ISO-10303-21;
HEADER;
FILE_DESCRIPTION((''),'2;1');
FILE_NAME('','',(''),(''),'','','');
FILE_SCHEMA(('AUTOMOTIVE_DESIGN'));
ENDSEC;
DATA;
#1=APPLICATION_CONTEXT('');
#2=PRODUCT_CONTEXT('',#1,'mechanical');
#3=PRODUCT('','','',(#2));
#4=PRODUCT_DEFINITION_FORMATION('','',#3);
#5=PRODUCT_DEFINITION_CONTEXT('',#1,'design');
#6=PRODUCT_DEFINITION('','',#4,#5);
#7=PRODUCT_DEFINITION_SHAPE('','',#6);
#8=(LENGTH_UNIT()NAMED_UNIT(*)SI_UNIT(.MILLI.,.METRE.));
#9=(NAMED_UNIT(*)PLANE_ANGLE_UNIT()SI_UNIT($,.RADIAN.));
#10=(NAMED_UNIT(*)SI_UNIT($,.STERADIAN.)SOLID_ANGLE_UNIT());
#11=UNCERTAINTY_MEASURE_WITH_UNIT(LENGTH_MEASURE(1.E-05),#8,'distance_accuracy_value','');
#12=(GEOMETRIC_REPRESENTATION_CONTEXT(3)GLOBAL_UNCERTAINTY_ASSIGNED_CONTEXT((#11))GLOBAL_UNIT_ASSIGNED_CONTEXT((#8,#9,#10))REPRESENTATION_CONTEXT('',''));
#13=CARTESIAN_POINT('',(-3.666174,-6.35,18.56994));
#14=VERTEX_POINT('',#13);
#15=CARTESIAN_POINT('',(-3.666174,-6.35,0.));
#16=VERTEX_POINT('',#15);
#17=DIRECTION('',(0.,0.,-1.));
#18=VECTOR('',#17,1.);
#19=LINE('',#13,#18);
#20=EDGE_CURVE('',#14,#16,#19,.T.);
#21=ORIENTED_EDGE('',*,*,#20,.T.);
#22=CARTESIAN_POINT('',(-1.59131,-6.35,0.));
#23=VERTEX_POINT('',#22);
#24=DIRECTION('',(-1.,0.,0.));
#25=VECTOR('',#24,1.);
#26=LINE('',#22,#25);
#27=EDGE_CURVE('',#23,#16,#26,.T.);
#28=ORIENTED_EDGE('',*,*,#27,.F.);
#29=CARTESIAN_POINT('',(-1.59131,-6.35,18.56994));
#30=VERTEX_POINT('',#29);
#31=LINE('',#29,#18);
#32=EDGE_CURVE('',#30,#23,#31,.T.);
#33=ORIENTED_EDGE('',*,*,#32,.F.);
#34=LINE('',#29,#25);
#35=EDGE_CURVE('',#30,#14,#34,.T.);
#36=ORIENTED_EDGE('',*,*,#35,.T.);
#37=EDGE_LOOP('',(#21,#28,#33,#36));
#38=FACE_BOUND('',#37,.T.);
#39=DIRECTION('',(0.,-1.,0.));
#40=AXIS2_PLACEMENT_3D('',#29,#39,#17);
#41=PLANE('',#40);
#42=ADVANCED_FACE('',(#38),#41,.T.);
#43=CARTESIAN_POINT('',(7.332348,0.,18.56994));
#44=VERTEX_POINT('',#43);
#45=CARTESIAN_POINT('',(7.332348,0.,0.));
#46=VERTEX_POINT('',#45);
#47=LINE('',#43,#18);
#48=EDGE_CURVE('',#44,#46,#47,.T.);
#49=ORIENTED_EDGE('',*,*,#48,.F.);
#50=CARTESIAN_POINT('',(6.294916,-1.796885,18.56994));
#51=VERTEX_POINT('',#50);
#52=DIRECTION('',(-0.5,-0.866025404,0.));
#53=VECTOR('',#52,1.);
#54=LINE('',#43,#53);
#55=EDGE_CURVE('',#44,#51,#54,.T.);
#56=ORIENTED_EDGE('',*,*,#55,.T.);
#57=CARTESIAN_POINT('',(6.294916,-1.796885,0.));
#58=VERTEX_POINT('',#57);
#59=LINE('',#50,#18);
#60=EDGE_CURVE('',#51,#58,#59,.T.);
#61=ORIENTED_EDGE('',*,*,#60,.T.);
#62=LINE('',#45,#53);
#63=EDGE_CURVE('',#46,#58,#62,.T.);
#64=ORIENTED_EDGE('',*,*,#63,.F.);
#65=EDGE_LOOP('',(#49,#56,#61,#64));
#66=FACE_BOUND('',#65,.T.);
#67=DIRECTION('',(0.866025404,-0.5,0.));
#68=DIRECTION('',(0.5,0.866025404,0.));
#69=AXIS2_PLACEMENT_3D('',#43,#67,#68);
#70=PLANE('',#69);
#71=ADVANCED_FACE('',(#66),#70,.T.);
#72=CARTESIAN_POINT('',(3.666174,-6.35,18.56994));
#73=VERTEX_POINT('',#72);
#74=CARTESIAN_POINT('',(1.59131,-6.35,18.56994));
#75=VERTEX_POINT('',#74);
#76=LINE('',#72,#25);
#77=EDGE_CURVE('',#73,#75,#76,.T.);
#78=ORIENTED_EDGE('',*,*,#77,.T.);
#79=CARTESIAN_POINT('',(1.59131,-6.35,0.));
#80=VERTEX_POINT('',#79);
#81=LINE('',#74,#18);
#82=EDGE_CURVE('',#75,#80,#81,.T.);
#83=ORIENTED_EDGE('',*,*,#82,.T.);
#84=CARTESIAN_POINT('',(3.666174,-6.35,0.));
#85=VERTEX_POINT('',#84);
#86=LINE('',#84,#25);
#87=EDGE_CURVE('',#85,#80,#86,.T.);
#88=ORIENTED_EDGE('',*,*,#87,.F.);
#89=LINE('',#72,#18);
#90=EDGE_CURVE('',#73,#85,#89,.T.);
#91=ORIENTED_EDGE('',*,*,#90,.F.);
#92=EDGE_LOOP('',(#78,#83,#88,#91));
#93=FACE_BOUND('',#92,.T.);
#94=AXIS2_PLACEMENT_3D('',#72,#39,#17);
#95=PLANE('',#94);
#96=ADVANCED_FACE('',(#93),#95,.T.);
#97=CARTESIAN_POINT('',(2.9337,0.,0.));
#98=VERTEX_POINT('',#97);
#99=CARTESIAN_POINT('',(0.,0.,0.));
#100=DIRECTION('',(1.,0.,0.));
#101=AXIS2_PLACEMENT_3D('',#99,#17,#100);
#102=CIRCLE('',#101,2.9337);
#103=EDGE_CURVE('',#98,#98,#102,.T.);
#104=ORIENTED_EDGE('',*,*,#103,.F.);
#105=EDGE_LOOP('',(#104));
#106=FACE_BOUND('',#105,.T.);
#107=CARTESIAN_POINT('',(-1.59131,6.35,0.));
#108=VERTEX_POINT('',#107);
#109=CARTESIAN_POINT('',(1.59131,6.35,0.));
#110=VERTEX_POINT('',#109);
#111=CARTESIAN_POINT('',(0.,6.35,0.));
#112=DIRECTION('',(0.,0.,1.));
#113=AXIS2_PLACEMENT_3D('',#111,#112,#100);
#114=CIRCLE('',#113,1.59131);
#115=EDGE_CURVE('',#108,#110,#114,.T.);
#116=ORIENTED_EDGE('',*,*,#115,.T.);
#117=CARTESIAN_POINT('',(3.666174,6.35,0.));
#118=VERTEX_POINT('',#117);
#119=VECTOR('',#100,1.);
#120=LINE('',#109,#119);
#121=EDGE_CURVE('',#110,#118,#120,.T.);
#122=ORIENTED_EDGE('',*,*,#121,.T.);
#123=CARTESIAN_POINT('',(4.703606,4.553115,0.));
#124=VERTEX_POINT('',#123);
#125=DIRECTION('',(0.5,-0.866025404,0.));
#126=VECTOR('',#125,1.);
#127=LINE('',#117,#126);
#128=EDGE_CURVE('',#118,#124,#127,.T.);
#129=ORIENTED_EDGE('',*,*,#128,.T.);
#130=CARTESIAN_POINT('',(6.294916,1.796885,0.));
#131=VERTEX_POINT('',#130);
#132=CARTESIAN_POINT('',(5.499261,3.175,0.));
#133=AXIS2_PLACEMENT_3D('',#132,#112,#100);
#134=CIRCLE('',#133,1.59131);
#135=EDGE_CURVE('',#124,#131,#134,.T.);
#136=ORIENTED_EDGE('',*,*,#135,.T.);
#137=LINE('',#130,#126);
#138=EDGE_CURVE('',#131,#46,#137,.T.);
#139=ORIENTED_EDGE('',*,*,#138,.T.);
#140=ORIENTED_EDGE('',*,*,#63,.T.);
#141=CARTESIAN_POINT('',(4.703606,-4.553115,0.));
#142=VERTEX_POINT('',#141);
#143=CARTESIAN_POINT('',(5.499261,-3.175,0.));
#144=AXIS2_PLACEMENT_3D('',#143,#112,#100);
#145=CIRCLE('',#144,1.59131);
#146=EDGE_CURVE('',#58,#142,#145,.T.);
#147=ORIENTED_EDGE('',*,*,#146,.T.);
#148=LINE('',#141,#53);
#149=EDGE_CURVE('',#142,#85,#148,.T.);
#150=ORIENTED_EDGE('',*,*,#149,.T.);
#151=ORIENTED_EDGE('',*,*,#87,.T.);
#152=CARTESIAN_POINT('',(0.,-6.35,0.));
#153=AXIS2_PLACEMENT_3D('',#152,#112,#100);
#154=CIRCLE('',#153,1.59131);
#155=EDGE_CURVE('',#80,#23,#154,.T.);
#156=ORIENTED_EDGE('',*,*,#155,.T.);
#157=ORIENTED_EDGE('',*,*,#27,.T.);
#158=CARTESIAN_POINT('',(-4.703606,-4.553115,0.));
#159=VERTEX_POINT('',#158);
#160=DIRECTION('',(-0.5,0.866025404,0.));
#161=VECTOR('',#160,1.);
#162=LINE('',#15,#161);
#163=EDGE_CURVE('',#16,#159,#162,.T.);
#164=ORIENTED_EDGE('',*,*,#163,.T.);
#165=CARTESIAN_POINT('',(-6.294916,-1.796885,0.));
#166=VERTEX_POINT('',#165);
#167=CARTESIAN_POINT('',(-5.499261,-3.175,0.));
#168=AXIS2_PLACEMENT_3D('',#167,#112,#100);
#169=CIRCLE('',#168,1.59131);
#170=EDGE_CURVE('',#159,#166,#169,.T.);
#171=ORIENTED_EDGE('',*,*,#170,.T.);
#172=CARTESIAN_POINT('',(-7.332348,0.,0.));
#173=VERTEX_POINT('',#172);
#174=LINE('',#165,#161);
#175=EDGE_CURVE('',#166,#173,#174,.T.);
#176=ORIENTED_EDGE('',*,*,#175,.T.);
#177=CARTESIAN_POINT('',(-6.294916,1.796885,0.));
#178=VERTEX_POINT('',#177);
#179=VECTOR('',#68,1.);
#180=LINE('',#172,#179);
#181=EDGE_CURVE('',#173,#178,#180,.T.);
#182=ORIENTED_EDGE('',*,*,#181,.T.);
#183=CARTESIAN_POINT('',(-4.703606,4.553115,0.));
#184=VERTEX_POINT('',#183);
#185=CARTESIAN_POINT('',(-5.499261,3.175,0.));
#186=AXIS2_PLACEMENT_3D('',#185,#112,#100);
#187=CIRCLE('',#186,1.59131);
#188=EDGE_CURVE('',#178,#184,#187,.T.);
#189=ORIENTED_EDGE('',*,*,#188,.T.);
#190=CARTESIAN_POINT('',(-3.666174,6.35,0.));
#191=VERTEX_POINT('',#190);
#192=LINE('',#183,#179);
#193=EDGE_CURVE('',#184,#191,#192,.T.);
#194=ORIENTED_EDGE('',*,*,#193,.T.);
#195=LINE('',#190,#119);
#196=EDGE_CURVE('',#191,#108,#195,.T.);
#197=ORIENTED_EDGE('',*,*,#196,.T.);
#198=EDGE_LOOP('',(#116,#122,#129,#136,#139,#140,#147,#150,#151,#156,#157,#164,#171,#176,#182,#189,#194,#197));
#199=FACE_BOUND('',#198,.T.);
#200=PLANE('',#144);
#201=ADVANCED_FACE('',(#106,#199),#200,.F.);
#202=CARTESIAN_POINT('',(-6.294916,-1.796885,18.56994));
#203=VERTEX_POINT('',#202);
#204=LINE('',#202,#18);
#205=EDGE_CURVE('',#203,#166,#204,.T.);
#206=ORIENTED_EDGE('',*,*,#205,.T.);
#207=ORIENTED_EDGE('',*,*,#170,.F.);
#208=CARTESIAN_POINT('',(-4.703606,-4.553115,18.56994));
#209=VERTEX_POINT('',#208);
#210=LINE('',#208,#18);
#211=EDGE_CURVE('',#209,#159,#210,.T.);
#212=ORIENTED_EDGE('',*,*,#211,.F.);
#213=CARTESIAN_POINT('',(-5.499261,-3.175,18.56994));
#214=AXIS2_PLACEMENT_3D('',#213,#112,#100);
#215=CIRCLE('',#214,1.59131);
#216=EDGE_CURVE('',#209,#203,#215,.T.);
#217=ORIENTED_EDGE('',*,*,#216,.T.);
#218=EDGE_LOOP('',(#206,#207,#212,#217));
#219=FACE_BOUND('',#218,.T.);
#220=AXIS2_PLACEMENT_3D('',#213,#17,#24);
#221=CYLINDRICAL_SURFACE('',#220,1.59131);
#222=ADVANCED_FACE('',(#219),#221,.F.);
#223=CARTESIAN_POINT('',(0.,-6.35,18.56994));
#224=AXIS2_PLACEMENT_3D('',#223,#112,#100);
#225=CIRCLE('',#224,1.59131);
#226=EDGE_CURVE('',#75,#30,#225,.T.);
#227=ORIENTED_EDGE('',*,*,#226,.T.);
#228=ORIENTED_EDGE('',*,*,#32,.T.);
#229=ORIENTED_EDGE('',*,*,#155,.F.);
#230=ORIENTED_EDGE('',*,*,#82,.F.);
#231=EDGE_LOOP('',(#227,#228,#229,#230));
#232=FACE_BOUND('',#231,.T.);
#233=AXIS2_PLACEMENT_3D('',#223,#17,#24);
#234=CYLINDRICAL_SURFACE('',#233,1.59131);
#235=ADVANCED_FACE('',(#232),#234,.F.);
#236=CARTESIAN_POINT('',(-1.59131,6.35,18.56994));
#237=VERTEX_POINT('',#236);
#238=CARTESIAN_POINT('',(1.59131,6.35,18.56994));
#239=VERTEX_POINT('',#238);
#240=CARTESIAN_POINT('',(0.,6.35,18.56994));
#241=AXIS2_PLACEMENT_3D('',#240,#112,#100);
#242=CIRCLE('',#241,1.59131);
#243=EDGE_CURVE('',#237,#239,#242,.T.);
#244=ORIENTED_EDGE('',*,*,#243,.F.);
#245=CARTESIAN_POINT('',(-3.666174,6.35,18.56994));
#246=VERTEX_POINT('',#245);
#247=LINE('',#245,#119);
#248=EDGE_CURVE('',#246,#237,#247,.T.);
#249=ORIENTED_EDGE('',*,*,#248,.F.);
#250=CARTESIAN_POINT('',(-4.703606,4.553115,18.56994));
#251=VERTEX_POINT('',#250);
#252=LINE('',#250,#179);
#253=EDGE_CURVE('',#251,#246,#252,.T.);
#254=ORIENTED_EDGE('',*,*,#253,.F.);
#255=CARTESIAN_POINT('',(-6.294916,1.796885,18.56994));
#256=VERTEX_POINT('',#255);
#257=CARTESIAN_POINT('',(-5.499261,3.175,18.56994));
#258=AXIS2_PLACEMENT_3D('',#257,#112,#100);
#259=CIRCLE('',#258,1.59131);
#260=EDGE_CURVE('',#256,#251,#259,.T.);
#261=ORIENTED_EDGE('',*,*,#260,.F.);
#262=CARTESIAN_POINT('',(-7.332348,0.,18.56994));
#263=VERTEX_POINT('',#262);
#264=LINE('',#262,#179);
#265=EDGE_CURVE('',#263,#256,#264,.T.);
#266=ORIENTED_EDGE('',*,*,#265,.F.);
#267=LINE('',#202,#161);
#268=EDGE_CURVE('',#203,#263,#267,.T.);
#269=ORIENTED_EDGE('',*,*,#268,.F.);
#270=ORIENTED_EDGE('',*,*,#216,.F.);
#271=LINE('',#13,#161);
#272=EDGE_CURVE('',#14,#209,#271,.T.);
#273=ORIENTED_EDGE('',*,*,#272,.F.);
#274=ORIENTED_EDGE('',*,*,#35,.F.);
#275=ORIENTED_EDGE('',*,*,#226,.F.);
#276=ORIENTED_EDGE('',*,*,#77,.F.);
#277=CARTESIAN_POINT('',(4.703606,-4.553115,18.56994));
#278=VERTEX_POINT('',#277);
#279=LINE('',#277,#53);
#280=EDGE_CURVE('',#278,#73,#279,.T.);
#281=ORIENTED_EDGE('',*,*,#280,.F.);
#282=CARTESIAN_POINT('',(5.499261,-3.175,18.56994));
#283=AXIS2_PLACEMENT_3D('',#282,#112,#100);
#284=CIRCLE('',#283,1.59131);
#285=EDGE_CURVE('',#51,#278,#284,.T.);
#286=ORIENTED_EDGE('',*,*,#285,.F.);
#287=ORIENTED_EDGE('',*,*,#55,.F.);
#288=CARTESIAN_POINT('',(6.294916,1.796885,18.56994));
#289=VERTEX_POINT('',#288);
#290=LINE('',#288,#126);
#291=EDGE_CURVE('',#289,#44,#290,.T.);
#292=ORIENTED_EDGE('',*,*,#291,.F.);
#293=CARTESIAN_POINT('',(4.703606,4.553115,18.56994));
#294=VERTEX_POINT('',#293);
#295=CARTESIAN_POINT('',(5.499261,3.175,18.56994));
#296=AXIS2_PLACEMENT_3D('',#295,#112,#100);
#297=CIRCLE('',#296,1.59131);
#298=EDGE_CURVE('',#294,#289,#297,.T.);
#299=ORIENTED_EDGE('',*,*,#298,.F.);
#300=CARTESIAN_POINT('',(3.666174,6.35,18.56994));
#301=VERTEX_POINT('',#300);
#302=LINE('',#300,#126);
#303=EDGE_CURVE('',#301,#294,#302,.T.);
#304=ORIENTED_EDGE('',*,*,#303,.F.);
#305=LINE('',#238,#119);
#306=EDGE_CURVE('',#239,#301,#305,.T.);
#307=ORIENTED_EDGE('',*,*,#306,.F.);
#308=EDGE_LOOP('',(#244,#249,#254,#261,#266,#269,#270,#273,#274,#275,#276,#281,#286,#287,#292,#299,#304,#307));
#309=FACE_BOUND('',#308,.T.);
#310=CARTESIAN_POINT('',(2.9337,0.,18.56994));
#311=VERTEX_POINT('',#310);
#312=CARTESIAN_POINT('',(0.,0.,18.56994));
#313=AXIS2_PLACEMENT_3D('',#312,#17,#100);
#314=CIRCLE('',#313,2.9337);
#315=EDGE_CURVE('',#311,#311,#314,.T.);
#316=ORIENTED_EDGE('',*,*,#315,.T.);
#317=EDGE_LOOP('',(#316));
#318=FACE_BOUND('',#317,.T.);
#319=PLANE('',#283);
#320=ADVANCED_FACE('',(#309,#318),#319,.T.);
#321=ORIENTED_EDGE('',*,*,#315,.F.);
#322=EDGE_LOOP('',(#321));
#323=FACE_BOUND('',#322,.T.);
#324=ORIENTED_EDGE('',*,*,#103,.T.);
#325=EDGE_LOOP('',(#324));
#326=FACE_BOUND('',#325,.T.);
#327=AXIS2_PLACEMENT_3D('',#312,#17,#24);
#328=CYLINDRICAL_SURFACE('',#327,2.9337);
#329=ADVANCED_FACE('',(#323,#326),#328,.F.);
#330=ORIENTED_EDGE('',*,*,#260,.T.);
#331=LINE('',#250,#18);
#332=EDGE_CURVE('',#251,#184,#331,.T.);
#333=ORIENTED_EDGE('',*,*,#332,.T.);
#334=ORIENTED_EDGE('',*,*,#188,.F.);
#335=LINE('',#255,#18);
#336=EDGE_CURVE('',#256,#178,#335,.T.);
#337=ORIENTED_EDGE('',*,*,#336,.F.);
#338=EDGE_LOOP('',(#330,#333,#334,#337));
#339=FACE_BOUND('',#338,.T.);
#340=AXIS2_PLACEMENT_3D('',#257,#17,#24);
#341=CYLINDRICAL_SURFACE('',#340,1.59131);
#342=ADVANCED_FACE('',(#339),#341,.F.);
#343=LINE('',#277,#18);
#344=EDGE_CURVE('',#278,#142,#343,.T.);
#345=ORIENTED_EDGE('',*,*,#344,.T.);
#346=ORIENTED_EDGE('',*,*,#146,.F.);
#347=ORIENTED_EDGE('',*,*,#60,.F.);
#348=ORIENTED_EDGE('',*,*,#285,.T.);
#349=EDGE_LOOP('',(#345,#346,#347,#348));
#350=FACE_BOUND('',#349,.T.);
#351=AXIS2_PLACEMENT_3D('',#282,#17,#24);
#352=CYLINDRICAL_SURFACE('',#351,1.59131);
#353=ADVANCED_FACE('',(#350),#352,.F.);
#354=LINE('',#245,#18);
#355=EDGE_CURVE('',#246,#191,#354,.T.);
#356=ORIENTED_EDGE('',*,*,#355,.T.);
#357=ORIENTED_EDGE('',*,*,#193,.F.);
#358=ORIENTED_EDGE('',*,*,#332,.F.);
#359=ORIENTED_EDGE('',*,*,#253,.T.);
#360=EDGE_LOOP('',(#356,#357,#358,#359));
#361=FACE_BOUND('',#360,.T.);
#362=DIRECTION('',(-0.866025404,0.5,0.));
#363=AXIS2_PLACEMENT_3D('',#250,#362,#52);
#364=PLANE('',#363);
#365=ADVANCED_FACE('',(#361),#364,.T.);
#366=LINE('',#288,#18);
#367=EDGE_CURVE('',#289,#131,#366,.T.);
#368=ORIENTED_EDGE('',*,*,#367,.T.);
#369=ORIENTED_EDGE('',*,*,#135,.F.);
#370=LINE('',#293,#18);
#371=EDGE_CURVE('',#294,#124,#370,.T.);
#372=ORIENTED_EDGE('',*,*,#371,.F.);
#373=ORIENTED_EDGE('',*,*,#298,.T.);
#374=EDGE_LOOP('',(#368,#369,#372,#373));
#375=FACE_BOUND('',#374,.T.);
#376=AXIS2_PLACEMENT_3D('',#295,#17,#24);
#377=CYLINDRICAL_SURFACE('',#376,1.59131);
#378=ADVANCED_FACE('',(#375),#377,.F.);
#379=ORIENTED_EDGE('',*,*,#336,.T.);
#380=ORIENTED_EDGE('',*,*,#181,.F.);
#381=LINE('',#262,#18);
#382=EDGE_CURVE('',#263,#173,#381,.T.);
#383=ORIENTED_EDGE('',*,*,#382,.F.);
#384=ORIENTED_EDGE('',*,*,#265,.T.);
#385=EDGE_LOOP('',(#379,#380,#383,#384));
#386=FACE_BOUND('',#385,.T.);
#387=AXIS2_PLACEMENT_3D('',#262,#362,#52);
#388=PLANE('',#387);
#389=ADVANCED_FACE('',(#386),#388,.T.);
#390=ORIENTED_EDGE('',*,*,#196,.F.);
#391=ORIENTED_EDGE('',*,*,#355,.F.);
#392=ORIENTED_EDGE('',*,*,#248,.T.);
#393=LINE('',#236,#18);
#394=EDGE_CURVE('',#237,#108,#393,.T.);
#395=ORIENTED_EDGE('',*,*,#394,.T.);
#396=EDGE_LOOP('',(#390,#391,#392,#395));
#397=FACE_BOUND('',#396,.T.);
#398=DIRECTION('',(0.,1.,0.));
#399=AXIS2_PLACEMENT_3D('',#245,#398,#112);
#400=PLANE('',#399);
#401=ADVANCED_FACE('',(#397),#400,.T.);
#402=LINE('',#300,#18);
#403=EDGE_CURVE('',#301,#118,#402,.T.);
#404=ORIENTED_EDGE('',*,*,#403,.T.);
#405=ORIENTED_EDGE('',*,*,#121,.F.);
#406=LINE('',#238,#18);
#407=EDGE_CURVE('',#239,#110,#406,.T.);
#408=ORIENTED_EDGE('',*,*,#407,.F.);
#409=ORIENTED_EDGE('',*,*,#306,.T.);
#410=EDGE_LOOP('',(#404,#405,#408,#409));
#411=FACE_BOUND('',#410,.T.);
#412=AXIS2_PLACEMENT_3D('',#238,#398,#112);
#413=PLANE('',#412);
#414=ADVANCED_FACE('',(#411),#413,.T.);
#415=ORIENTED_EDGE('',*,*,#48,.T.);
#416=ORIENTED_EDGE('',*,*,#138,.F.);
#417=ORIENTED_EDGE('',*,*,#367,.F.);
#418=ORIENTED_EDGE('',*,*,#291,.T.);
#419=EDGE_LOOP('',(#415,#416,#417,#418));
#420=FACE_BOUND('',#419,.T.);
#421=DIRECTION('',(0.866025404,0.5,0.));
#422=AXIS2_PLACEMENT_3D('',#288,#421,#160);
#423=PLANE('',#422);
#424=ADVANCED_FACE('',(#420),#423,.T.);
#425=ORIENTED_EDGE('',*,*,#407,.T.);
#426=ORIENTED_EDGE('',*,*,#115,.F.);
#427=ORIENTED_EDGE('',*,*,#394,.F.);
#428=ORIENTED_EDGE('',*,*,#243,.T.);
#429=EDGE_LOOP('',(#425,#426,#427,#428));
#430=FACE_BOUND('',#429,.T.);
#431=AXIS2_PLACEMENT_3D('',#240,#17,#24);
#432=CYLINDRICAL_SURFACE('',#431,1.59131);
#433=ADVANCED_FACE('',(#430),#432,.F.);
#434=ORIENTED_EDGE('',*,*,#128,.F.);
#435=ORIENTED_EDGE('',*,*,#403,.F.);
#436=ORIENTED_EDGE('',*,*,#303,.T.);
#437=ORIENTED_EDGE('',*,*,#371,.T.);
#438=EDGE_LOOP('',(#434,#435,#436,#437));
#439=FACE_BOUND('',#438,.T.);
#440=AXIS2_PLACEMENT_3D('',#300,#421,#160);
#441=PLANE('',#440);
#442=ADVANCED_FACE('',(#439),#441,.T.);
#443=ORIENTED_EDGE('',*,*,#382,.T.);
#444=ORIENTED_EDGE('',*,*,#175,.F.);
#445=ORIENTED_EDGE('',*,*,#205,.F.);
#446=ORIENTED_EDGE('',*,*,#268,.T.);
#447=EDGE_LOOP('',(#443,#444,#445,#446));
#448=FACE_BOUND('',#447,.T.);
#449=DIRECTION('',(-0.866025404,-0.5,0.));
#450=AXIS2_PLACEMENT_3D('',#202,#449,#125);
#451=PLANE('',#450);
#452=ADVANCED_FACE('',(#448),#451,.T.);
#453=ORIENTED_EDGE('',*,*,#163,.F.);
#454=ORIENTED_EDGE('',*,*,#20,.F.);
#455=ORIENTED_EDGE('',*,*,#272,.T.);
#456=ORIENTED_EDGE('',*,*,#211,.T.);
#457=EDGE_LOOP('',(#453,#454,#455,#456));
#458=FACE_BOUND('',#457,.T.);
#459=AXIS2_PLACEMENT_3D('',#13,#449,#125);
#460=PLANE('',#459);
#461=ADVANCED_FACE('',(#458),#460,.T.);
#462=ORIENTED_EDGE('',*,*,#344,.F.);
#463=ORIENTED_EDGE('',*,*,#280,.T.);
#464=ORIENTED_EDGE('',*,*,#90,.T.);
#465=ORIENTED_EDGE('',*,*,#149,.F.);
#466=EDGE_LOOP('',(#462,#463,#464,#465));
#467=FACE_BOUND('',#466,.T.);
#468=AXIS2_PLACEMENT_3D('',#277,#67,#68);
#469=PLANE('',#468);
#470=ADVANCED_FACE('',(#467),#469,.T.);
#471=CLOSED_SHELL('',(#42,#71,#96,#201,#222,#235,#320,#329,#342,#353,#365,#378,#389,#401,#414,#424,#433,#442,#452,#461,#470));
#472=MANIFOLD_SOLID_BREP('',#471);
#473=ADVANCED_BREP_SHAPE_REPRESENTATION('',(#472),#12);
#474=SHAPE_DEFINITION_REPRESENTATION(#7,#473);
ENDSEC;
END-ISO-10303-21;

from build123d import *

# Parameters (mm, degrees)
SKETCH1_R           = 2.9337
BOSS_EXTRUDE1_DEPTH = 18.56994


with BuildPart() as part:
    # Sketch1 → Boss-Extrude1 (new body)
    with BuildSketch(Plane(origin=(0, 0, 0), x_dir=(-1, 0, 0), z_dir=(0, 0, -1))):
        with BuildLine():
            Line((-4.703606334, -4.55311485), (-3.666174209, -6.35))
            Line((-3.666174209, -6.35), (-1.591309959, -6.35))
            ThreePointArc((-1.591309959, -6.35), (0, -4.758690041), (1.591309959, -6.35))
            Line((1.591309959, -6.35), (3.666174209, -6.35))
            Line((3.666174209, -6.35), (4.703606334, -4.55311485))
            ThreePointArc((4.703606334, -4.55311485), (4.121146464, -2.37934502), (6.294916294, -1.79688515))
            Line((6.294916294, -1.79688515), (7.332348419, 0))
            Line((7.332348419, 0), (6.294916294, 1.79688515))
            ThreePointArc((6.294916294, 1.79688515), (4.121146464, 2.37934502), (4.703606334, 4.55311485))
            Line((4.703606334, 4.55311485), (3.666174209, 6.35))
            Line((3.666174209, 6.35), (1.591309959, 6.35))
            ThreePointArc((1.591309959, 6.35), (0, 4.758690041), (-1.591309959, 6.35))
            Line((-1.591309959, 6.35), (-3.666174209, 6.35))
            Line((-3.666174209, 6.35), (-4.703606334, 4.55311485))
            ThreePointArc((-4.703606334, 4.55311485), (-4.121146464, 2.37934502), (-6.294916294, 1.79688515))
            Line((-6.294916294, 1.79688515), (-7.332348419, 0))
            Line((-7.332348419, 0), (-6.294916294, -1.79688515))
            ThreePointArc((-6.294916294, -1.79688515), (-4.121146464, -2.37934502), (-4.703606334, -4.55311485))
        make_face()
        Circle(SKETCH1_R, mode=Mode.SUBTRACT)
    extrude(amount=-BOSS_EXTRUDE1_DEPTH)


solid = part.part
